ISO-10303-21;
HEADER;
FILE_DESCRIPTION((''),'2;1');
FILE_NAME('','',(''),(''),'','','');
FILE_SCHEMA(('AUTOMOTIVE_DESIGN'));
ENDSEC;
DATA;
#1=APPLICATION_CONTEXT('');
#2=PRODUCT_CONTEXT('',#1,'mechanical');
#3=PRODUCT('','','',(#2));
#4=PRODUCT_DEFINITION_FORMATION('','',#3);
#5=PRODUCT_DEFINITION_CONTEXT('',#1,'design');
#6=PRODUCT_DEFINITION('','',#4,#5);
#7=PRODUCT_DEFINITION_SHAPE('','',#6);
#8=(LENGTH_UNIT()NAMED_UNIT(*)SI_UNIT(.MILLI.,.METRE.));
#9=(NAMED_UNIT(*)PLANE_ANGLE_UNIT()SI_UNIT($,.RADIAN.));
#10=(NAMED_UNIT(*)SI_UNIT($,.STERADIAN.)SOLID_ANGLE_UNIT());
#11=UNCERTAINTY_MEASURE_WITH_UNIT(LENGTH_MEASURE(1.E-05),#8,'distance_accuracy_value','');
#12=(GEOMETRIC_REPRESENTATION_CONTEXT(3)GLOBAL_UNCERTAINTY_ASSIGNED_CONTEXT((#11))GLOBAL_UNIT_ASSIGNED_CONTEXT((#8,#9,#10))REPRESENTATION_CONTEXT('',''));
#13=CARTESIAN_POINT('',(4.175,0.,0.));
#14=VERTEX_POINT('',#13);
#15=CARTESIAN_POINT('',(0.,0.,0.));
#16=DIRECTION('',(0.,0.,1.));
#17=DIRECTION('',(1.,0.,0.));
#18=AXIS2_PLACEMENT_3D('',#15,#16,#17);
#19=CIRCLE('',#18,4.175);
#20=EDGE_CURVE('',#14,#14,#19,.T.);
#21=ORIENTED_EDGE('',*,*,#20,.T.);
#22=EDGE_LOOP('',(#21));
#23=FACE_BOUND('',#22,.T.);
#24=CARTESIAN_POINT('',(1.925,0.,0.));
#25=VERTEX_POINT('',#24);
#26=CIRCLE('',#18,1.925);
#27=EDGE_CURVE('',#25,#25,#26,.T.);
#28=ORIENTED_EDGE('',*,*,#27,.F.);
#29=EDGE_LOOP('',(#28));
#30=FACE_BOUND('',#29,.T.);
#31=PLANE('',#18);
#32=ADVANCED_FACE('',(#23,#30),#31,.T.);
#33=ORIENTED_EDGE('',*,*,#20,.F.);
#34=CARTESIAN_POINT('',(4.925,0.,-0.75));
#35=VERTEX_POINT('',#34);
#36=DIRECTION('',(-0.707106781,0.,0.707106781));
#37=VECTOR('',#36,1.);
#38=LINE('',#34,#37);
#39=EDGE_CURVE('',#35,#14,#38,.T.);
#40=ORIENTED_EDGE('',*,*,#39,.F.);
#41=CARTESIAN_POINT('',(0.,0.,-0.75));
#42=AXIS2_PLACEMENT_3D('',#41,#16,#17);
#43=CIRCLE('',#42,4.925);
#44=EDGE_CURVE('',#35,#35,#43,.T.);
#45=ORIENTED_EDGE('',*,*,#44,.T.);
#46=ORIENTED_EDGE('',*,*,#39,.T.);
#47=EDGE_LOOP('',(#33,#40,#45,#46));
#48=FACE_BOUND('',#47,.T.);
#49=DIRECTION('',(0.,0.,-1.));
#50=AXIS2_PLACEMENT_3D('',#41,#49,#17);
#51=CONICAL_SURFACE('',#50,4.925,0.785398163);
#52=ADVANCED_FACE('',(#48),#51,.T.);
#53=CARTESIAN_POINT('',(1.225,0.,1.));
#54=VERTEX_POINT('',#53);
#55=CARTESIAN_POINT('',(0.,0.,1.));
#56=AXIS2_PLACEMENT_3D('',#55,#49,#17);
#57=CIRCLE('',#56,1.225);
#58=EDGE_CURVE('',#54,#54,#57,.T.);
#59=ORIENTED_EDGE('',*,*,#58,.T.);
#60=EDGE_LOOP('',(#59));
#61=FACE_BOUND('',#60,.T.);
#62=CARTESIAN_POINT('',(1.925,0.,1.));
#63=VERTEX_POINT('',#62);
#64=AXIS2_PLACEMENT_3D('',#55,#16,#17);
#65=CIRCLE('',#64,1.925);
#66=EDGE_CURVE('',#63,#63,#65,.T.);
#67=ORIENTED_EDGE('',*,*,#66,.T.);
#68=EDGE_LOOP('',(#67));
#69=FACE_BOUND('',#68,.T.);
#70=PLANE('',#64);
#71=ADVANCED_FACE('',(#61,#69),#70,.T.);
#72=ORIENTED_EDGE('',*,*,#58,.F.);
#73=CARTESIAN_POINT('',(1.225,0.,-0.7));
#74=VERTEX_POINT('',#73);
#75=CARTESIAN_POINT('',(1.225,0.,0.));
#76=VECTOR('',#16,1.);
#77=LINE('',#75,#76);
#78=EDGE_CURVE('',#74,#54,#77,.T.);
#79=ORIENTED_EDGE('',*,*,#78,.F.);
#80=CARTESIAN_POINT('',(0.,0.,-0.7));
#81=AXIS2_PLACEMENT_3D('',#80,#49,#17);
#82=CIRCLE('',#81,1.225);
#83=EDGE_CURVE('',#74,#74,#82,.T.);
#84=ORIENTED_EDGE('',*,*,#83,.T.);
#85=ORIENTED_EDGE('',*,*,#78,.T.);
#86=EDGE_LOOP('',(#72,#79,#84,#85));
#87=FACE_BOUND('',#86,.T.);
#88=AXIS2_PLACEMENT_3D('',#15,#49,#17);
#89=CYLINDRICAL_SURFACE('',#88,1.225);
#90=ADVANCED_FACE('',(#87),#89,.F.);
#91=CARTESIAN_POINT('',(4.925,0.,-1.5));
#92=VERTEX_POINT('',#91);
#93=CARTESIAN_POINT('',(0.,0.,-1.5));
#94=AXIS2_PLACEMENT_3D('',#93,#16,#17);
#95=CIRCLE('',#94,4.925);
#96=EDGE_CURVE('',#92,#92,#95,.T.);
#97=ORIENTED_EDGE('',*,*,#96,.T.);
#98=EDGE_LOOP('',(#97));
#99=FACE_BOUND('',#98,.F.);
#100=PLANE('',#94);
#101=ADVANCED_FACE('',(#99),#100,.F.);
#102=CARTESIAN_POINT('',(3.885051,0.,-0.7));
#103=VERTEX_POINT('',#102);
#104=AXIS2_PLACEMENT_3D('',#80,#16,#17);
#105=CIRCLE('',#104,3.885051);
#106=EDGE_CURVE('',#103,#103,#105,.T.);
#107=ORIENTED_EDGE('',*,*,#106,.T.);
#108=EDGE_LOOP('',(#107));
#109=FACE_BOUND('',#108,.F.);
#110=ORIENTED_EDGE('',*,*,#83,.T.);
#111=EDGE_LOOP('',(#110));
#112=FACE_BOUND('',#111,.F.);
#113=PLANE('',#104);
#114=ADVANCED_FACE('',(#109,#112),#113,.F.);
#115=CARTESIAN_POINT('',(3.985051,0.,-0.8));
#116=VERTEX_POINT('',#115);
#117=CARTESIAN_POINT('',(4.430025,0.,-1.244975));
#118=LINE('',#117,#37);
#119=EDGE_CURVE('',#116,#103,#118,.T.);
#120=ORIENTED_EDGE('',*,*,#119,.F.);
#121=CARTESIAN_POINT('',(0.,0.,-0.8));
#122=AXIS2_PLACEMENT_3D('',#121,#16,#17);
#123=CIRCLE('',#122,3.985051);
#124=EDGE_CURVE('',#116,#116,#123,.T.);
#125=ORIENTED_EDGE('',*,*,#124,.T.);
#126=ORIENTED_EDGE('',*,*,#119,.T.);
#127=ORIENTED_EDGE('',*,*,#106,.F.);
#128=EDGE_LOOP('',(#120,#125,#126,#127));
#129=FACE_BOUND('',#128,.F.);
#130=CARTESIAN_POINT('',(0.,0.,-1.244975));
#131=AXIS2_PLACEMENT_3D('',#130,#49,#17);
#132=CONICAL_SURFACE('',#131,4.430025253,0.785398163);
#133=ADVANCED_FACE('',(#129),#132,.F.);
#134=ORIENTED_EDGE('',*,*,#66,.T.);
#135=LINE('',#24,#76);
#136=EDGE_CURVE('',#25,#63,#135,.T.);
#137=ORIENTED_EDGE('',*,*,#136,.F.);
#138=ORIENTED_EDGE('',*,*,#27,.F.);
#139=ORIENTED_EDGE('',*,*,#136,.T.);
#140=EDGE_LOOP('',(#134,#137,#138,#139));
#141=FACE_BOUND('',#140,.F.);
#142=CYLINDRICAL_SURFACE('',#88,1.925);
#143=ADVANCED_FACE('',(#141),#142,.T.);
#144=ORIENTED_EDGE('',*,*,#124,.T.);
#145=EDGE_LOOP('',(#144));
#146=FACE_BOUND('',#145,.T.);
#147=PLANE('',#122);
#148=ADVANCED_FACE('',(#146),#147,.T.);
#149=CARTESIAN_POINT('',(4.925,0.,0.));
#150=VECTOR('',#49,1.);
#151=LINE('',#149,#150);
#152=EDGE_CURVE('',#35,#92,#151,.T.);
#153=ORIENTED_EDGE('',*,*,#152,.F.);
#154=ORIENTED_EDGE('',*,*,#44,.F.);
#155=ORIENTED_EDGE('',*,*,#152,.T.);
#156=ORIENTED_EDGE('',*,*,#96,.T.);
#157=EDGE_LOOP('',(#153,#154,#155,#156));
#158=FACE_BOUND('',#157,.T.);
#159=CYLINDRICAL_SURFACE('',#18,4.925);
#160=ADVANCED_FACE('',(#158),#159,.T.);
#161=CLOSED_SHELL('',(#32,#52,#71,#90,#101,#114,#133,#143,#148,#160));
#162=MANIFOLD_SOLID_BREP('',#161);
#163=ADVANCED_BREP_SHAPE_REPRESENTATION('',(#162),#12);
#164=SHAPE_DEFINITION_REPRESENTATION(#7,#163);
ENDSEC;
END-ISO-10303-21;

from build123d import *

# Parameters (mm, degrees)
F0_R     = 1.925
F1_DEPTH = 1
F0_R_2   = 4.925
F2_DEPTH = 1.5
F3_SIZE  = 0.75
F4_T     = -0.7


with BuildPart() as f1:
    # F0 (on Top) → F1 (new body)
    with BuildSketch(Plane.XY):
        Circle(F0_R)
    extrude(amount=F1_DEPTH)

    # F0 (on Top) → F2 (join)
    with BuildSketch(Plane.XY):
        Circle(F0_R_2)
        Circle(F0_R, mode=Mode.SUBTRACT)
        Circle(F0_R)
    extrude(amount=-F2_DEPTH)

    # F3
    f3_edges = [f1.edges().sort_by_distance(p)[0] for p in [
        (-4.925, 0, 0),
    ]]
    chamfer(f3_edges, length=F3_SIZE)

    # F4
    f4_openings = [f1.faces().sort_by_distance(p)[0] for p in [
        (0, 0, 1),
    ]]
    offset(amount=F4_T, openings=f4_openings, kind=Kind.INTERSECTION)


solid = f1.part
